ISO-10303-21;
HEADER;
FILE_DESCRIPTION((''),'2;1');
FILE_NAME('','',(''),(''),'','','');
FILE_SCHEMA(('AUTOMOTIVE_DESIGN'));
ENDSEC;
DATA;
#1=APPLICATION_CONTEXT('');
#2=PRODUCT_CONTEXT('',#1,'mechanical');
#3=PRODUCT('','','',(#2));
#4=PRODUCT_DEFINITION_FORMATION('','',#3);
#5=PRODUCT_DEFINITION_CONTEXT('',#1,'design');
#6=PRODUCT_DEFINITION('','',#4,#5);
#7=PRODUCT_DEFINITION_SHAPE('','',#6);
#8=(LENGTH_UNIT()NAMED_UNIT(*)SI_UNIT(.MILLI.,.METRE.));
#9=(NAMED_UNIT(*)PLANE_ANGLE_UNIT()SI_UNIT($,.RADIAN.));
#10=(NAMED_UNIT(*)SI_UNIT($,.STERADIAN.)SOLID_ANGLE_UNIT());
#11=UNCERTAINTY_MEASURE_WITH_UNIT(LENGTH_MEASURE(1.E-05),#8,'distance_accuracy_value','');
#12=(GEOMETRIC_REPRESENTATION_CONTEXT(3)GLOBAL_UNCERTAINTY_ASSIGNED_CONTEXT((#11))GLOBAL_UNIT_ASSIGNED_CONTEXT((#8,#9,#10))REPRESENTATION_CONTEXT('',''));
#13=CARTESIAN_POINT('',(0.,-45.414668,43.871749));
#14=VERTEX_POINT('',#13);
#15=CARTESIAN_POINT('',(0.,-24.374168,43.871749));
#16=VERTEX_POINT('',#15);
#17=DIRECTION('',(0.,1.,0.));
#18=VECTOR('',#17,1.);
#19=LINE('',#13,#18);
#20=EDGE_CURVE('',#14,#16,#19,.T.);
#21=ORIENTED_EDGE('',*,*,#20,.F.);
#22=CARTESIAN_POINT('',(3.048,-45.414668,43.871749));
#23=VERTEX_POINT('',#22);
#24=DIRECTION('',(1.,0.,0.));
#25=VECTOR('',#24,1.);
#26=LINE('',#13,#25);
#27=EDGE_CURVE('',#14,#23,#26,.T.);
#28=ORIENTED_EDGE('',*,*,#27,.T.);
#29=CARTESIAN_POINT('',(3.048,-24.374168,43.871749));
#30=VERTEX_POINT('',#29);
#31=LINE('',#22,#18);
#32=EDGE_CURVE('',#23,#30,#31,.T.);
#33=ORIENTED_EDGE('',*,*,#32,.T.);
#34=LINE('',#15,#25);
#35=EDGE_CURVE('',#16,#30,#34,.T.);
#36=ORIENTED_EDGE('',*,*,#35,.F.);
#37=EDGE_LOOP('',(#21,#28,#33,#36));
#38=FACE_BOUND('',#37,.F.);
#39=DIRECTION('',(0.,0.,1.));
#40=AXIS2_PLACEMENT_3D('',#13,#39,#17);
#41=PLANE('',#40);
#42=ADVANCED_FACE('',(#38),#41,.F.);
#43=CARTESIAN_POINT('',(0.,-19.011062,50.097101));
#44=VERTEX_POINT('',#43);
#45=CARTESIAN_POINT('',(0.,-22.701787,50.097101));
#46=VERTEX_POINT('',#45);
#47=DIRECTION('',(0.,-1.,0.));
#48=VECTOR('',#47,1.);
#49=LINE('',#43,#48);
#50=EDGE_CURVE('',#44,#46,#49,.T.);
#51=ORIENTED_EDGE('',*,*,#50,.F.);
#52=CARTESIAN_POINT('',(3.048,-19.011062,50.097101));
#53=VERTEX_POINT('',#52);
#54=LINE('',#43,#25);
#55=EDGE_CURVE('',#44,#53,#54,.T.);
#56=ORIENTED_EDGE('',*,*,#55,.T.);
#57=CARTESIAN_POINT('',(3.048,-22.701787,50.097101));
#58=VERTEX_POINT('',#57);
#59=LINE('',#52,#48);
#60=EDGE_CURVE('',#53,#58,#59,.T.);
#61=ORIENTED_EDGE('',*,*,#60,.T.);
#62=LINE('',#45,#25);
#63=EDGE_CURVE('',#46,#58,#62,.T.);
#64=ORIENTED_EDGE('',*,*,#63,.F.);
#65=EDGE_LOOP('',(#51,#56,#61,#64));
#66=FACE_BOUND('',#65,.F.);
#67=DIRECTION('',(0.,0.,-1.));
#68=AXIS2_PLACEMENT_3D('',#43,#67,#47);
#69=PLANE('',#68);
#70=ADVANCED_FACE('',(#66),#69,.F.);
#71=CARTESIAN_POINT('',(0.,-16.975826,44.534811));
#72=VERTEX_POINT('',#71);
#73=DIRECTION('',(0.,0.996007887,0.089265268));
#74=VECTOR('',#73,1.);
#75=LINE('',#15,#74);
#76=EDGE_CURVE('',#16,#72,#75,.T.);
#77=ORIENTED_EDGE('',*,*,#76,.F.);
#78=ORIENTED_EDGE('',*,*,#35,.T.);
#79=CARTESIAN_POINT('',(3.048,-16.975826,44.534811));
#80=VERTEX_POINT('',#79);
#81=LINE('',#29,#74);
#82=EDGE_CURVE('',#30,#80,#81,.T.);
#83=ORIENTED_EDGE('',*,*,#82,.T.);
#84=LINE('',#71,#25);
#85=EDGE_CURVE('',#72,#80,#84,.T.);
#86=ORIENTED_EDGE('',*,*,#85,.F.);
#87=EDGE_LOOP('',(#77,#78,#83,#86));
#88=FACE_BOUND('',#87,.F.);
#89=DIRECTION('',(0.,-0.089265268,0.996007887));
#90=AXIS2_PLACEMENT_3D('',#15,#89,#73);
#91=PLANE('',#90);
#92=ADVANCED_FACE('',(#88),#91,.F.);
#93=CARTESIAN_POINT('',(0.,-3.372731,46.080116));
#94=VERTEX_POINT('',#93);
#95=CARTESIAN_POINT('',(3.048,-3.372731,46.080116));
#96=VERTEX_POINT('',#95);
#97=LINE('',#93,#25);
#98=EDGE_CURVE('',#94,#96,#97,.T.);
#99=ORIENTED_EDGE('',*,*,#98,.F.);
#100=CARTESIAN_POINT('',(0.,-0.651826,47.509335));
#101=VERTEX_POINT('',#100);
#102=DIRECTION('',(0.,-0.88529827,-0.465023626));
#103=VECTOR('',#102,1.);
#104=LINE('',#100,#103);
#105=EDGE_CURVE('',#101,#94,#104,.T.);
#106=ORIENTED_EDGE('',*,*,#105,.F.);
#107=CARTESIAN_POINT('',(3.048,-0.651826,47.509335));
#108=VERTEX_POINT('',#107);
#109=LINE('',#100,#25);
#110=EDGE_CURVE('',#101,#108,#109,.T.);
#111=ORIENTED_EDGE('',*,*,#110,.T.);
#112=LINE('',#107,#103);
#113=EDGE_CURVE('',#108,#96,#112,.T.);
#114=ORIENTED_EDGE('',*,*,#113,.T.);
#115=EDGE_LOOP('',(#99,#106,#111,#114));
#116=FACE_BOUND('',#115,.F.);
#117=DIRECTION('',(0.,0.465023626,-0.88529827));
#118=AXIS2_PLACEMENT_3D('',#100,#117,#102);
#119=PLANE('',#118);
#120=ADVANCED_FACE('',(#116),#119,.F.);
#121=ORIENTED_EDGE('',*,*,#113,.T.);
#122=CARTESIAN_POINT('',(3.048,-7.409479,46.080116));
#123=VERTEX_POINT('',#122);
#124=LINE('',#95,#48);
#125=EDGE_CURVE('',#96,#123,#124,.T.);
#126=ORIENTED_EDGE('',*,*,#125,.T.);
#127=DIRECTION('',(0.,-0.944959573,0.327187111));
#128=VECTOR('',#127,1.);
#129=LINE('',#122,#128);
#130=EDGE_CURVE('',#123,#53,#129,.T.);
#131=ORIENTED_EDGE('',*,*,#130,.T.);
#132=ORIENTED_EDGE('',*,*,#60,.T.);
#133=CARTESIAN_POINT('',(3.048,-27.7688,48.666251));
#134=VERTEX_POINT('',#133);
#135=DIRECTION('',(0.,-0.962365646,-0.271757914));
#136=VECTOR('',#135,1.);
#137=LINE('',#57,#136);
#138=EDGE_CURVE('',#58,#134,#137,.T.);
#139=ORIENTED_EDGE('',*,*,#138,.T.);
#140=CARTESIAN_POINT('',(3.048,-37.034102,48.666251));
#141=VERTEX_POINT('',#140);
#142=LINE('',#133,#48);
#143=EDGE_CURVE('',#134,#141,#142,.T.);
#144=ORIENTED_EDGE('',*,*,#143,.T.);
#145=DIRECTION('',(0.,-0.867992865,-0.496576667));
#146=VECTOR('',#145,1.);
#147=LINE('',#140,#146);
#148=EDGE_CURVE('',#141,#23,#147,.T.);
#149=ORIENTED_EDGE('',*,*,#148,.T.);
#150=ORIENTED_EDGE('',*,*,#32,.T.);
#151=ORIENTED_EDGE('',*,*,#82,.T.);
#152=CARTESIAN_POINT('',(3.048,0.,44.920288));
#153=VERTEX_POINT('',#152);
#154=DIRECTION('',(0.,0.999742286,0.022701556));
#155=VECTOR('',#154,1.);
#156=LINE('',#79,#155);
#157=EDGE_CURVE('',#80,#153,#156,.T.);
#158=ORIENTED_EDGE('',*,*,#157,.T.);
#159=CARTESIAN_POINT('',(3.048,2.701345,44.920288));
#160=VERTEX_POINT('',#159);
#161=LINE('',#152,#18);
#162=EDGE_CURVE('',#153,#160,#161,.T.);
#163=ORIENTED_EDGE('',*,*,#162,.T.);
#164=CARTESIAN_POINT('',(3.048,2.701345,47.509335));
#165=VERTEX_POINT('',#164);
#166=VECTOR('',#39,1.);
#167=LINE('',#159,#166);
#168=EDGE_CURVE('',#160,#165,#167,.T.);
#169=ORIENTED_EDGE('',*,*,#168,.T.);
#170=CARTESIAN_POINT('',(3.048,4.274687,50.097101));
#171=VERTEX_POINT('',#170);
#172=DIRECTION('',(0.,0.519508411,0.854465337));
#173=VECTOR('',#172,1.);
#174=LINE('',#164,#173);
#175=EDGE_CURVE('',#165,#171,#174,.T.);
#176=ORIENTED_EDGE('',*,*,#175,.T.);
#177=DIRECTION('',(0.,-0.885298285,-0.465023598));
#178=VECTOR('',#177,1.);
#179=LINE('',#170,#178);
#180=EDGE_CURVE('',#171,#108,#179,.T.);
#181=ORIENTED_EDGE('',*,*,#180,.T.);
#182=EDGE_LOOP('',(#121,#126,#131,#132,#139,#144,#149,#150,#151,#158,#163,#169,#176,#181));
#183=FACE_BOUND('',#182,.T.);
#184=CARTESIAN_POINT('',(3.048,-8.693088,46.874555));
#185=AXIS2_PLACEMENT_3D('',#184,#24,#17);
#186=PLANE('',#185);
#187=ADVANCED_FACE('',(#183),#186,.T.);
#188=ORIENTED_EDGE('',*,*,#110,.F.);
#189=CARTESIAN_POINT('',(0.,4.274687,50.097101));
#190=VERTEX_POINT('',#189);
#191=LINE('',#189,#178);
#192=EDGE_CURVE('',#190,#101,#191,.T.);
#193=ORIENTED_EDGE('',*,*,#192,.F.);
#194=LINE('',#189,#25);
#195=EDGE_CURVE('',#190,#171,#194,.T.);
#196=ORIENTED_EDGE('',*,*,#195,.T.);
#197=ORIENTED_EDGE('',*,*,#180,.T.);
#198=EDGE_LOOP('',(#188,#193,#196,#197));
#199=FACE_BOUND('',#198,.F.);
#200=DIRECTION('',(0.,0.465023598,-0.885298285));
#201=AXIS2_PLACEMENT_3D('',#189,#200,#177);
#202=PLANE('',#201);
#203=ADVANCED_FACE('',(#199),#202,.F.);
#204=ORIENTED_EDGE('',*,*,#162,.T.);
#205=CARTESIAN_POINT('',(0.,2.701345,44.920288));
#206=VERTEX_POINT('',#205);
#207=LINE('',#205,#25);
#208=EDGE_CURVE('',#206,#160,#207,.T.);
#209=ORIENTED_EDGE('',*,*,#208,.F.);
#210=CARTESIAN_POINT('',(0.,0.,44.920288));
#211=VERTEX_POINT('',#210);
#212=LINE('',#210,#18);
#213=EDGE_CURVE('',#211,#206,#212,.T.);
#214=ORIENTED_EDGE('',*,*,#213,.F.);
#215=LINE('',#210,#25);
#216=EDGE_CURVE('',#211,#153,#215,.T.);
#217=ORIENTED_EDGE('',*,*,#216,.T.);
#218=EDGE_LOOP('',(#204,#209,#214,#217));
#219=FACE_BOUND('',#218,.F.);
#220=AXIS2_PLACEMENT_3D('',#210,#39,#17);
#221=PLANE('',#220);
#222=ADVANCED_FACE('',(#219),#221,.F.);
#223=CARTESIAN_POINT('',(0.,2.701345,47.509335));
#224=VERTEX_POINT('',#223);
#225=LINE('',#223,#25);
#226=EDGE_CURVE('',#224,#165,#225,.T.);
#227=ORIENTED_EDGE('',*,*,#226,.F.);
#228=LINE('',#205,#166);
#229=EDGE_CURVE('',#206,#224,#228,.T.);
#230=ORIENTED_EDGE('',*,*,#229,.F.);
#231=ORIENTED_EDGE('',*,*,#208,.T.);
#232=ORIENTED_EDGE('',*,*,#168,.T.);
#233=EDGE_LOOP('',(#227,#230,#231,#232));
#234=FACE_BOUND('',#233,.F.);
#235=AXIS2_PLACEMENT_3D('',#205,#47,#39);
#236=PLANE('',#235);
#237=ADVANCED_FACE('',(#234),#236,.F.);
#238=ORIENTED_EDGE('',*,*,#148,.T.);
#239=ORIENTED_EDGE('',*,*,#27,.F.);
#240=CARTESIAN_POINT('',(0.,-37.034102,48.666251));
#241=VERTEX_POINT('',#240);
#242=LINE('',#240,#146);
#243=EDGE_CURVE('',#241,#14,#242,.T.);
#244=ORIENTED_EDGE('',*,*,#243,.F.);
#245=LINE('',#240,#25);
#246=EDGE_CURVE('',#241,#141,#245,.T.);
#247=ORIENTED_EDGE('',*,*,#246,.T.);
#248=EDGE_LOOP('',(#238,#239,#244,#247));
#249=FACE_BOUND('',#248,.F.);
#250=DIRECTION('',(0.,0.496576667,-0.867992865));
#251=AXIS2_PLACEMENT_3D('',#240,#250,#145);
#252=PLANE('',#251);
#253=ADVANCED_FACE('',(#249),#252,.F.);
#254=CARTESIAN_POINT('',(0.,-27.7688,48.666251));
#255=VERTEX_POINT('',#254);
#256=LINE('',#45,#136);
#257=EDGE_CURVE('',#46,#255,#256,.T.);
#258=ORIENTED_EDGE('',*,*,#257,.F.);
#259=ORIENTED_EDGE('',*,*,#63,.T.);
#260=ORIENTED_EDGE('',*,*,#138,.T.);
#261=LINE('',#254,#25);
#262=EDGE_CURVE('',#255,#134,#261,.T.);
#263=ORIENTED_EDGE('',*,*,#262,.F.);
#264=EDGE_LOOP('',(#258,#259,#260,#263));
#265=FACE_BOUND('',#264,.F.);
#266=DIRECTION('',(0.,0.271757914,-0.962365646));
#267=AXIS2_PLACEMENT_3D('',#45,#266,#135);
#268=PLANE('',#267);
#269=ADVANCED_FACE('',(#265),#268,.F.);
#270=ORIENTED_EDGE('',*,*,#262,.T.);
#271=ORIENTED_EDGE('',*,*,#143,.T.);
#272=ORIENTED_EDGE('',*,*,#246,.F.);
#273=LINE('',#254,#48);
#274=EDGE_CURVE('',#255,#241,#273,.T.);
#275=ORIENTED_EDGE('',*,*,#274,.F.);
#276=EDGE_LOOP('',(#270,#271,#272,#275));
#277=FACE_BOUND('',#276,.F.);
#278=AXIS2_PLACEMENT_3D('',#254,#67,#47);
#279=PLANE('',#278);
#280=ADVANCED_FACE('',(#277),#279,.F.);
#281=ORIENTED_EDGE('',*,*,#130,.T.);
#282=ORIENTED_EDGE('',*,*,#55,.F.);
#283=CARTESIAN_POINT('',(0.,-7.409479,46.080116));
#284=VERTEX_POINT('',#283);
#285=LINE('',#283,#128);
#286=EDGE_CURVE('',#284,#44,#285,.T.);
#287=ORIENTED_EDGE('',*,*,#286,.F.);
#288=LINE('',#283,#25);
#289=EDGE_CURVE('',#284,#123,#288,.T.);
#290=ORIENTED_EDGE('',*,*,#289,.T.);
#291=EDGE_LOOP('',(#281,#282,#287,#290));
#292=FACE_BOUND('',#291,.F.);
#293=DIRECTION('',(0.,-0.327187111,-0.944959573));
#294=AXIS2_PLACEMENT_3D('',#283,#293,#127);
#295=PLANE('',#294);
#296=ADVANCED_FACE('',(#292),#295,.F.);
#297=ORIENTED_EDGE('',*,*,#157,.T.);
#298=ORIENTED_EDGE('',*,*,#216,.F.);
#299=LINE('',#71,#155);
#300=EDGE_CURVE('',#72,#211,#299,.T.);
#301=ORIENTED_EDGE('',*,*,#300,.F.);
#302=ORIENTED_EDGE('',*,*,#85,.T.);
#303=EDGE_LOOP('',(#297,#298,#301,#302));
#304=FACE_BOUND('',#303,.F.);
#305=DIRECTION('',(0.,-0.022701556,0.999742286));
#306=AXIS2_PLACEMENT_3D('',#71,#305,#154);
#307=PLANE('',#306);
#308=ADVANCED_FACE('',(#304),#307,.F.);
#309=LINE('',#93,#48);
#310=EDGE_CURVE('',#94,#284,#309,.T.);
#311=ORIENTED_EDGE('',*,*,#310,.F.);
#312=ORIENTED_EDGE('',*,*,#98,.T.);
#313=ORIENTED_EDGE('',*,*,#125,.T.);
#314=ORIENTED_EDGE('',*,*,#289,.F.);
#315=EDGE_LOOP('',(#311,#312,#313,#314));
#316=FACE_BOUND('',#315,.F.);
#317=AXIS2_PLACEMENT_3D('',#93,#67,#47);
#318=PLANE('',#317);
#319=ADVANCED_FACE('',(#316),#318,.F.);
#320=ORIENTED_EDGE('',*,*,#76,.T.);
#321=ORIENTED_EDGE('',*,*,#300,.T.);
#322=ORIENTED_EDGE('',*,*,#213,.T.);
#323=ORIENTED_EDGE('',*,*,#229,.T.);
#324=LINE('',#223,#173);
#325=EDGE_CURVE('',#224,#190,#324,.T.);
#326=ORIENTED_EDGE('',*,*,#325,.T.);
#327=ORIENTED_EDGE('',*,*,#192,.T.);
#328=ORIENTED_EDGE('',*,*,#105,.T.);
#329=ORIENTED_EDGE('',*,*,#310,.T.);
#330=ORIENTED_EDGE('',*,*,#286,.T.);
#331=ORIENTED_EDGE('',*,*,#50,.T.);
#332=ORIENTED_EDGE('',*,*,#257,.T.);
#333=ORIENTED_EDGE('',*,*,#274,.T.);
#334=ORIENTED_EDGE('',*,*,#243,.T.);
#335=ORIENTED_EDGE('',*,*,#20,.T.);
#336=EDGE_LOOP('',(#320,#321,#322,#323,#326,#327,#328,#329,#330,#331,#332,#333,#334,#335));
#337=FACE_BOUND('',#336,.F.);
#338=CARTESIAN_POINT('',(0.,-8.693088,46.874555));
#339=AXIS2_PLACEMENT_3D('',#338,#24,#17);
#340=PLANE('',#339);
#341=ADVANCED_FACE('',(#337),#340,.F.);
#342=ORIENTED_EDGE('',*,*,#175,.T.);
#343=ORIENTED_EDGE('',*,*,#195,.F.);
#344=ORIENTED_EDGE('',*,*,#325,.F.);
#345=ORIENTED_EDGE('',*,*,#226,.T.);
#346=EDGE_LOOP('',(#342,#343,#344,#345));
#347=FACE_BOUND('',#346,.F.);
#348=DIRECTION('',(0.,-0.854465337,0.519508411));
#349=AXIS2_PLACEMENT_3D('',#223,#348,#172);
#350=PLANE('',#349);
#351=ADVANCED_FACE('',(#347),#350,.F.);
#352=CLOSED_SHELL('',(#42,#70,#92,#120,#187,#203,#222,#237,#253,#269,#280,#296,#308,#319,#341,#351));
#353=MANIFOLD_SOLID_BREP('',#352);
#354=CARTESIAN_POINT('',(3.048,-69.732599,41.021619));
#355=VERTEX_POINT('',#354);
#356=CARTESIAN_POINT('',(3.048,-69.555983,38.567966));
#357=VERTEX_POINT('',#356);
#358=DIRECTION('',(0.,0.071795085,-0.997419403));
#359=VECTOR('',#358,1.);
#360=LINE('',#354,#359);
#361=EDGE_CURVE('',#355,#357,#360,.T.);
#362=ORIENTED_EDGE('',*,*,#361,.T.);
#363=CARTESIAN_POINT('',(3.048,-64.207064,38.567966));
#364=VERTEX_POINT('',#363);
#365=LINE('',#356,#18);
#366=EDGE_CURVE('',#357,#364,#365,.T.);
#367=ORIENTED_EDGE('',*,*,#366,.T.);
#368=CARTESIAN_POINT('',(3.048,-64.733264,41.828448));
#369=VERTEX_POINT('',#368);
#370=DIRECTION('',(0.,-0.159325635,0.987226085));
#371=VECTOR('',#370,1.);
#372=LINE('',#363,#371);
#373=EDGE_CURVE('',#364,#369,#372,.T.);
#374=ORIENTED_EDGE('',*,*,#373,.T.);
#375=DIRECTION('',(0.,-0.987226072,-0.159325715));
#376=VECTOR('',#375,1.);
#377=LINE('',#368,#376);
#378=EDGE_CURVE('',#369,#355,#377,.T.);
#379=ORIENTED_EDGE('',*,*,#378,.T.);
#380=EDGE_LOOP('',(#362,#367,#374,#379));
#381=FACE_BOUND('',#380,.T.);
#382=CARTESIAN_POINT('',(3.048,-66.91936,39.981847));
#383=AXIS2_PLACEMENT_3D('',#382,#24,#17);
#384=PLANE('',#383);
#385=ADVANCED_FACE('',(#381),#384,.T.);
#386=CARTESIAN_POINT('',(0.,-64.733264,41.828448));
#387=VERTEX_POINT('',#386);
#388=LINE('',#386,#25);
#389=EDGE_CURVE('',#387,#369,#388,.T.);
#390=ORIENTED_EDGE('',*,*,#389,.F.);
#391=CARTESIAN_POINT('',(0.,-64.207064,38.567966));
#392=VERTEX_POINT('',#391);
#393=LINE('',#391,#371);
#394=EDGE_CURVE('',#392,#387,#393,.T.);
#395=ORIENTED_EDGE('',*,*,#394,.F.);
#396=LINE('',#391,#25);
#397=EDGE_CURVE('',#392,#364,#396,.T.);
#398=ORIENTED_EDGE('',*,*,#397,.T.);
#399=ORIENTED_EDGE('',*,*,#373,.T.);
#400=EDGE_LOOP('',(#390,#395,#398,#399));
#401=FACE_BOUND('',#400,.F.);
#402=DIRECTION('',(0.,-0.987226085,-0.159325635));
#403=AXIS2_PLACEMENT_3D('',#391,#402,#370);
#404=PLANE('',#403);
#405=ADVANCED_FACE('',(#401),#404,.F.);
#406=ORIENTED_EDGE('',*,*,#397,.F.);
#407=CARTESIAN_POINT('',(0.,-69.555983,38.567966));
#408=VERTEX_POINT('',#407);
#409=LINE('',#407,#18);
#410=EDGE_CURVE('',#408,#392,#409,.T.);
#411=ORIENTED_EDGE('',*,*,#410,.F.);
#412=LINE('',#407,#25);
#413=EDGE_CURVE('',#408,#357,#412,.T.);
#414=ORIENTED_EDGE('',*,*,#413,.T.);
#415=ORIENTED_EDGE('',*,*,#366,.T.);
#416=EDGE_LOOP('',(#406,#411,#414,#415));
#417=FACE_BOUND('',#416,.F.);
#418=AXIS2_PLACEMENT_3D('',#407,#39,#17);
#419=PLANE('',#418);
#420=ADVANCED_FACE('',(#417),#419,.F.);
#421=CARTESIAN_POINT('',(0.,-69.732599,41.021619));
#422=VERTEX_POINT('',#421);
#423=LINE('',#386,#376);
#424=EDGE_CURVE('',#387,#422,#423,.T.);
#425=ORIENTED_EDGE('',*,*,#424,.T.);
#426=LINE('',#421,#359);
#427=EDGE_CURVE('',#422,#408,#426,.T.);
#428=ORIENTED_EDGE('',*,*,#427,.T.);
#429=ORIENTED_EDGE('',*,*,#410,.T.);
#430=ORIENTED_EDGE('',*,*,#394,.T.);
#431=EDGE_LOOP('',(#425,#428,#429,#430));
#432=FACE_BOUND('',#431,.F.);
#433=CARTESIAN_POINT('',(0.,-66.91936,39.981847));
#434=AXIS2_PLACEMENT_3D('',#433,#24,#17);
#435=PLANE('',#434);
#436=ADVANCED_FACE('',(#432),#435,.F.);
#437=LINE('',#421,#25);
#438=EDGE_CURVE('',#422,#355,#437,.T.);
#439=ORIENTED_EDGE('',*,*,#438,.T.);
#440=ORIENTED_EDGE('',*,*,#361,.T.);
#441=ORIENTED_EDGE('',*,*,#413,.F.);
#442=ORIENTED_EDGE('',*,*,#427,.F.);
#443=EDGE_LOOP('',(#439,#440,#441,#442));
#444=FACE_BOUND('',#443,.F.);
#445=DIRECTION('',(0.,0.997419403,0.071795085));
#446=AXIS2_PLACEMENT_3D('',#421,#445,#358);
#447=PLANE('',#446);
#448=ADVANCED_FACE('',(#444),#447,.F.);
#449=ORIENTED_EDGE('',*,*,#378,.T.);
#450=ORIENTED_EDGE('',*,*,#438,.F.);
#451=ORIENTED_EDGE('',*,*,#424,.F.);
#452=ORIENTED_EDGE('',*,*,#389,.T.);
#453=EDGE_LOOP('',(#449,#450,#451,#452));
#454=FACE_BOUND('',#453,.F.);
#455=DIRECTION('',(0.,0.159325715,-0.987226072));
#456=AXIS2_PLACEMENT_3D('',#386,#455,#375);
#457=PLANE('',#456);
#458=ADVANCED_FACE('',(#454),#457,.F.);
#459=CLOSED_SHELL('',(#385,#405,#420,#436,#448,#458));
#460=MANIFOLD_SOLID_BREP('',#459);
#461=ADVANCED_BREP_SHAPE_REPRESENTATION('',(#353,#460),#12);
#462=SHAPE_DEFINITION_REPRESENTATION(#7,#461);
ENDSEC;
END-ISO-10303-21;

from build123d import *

# Parameters (mm, degrees)
F1_DEPTH = 3.048


with BuildPart() as f1:
    # F0 (on Right) → F1 (new body)
    with BuildSketch(Plane.YZ):
        Polygon((-16.975826, 44.534811), (0, 44.920288), (2.701345, 44.920288), (2.701345, 47.509335), (4.274687, 50.097101), (-0.651826, 47.509335), (-3.372731, 46.080116), (-7.409479, 46.080116), (-19.011062, 50.097101), (-22.701787, 50.097101), align=None)
        Polygon((-64.207064, 38.567966), (-64.733264, 41.828448), (-69.732599, 41.021619), (-69.555983, 38.567966), align=None)
        Polygon((-24.374168, 43.871749), (-16.975826, 44.534811), (-22.701787, 50.097101), (-27.7688, 48.666251), align=None)
        Polygon((-45.414668, 43.871749), (-24.374168, 43.871749), (-27.7688, 48.666251), (-37.034102, 48.666251), align=None)
    extrude(amount=F1_DEPTH)


solid = f1.part
